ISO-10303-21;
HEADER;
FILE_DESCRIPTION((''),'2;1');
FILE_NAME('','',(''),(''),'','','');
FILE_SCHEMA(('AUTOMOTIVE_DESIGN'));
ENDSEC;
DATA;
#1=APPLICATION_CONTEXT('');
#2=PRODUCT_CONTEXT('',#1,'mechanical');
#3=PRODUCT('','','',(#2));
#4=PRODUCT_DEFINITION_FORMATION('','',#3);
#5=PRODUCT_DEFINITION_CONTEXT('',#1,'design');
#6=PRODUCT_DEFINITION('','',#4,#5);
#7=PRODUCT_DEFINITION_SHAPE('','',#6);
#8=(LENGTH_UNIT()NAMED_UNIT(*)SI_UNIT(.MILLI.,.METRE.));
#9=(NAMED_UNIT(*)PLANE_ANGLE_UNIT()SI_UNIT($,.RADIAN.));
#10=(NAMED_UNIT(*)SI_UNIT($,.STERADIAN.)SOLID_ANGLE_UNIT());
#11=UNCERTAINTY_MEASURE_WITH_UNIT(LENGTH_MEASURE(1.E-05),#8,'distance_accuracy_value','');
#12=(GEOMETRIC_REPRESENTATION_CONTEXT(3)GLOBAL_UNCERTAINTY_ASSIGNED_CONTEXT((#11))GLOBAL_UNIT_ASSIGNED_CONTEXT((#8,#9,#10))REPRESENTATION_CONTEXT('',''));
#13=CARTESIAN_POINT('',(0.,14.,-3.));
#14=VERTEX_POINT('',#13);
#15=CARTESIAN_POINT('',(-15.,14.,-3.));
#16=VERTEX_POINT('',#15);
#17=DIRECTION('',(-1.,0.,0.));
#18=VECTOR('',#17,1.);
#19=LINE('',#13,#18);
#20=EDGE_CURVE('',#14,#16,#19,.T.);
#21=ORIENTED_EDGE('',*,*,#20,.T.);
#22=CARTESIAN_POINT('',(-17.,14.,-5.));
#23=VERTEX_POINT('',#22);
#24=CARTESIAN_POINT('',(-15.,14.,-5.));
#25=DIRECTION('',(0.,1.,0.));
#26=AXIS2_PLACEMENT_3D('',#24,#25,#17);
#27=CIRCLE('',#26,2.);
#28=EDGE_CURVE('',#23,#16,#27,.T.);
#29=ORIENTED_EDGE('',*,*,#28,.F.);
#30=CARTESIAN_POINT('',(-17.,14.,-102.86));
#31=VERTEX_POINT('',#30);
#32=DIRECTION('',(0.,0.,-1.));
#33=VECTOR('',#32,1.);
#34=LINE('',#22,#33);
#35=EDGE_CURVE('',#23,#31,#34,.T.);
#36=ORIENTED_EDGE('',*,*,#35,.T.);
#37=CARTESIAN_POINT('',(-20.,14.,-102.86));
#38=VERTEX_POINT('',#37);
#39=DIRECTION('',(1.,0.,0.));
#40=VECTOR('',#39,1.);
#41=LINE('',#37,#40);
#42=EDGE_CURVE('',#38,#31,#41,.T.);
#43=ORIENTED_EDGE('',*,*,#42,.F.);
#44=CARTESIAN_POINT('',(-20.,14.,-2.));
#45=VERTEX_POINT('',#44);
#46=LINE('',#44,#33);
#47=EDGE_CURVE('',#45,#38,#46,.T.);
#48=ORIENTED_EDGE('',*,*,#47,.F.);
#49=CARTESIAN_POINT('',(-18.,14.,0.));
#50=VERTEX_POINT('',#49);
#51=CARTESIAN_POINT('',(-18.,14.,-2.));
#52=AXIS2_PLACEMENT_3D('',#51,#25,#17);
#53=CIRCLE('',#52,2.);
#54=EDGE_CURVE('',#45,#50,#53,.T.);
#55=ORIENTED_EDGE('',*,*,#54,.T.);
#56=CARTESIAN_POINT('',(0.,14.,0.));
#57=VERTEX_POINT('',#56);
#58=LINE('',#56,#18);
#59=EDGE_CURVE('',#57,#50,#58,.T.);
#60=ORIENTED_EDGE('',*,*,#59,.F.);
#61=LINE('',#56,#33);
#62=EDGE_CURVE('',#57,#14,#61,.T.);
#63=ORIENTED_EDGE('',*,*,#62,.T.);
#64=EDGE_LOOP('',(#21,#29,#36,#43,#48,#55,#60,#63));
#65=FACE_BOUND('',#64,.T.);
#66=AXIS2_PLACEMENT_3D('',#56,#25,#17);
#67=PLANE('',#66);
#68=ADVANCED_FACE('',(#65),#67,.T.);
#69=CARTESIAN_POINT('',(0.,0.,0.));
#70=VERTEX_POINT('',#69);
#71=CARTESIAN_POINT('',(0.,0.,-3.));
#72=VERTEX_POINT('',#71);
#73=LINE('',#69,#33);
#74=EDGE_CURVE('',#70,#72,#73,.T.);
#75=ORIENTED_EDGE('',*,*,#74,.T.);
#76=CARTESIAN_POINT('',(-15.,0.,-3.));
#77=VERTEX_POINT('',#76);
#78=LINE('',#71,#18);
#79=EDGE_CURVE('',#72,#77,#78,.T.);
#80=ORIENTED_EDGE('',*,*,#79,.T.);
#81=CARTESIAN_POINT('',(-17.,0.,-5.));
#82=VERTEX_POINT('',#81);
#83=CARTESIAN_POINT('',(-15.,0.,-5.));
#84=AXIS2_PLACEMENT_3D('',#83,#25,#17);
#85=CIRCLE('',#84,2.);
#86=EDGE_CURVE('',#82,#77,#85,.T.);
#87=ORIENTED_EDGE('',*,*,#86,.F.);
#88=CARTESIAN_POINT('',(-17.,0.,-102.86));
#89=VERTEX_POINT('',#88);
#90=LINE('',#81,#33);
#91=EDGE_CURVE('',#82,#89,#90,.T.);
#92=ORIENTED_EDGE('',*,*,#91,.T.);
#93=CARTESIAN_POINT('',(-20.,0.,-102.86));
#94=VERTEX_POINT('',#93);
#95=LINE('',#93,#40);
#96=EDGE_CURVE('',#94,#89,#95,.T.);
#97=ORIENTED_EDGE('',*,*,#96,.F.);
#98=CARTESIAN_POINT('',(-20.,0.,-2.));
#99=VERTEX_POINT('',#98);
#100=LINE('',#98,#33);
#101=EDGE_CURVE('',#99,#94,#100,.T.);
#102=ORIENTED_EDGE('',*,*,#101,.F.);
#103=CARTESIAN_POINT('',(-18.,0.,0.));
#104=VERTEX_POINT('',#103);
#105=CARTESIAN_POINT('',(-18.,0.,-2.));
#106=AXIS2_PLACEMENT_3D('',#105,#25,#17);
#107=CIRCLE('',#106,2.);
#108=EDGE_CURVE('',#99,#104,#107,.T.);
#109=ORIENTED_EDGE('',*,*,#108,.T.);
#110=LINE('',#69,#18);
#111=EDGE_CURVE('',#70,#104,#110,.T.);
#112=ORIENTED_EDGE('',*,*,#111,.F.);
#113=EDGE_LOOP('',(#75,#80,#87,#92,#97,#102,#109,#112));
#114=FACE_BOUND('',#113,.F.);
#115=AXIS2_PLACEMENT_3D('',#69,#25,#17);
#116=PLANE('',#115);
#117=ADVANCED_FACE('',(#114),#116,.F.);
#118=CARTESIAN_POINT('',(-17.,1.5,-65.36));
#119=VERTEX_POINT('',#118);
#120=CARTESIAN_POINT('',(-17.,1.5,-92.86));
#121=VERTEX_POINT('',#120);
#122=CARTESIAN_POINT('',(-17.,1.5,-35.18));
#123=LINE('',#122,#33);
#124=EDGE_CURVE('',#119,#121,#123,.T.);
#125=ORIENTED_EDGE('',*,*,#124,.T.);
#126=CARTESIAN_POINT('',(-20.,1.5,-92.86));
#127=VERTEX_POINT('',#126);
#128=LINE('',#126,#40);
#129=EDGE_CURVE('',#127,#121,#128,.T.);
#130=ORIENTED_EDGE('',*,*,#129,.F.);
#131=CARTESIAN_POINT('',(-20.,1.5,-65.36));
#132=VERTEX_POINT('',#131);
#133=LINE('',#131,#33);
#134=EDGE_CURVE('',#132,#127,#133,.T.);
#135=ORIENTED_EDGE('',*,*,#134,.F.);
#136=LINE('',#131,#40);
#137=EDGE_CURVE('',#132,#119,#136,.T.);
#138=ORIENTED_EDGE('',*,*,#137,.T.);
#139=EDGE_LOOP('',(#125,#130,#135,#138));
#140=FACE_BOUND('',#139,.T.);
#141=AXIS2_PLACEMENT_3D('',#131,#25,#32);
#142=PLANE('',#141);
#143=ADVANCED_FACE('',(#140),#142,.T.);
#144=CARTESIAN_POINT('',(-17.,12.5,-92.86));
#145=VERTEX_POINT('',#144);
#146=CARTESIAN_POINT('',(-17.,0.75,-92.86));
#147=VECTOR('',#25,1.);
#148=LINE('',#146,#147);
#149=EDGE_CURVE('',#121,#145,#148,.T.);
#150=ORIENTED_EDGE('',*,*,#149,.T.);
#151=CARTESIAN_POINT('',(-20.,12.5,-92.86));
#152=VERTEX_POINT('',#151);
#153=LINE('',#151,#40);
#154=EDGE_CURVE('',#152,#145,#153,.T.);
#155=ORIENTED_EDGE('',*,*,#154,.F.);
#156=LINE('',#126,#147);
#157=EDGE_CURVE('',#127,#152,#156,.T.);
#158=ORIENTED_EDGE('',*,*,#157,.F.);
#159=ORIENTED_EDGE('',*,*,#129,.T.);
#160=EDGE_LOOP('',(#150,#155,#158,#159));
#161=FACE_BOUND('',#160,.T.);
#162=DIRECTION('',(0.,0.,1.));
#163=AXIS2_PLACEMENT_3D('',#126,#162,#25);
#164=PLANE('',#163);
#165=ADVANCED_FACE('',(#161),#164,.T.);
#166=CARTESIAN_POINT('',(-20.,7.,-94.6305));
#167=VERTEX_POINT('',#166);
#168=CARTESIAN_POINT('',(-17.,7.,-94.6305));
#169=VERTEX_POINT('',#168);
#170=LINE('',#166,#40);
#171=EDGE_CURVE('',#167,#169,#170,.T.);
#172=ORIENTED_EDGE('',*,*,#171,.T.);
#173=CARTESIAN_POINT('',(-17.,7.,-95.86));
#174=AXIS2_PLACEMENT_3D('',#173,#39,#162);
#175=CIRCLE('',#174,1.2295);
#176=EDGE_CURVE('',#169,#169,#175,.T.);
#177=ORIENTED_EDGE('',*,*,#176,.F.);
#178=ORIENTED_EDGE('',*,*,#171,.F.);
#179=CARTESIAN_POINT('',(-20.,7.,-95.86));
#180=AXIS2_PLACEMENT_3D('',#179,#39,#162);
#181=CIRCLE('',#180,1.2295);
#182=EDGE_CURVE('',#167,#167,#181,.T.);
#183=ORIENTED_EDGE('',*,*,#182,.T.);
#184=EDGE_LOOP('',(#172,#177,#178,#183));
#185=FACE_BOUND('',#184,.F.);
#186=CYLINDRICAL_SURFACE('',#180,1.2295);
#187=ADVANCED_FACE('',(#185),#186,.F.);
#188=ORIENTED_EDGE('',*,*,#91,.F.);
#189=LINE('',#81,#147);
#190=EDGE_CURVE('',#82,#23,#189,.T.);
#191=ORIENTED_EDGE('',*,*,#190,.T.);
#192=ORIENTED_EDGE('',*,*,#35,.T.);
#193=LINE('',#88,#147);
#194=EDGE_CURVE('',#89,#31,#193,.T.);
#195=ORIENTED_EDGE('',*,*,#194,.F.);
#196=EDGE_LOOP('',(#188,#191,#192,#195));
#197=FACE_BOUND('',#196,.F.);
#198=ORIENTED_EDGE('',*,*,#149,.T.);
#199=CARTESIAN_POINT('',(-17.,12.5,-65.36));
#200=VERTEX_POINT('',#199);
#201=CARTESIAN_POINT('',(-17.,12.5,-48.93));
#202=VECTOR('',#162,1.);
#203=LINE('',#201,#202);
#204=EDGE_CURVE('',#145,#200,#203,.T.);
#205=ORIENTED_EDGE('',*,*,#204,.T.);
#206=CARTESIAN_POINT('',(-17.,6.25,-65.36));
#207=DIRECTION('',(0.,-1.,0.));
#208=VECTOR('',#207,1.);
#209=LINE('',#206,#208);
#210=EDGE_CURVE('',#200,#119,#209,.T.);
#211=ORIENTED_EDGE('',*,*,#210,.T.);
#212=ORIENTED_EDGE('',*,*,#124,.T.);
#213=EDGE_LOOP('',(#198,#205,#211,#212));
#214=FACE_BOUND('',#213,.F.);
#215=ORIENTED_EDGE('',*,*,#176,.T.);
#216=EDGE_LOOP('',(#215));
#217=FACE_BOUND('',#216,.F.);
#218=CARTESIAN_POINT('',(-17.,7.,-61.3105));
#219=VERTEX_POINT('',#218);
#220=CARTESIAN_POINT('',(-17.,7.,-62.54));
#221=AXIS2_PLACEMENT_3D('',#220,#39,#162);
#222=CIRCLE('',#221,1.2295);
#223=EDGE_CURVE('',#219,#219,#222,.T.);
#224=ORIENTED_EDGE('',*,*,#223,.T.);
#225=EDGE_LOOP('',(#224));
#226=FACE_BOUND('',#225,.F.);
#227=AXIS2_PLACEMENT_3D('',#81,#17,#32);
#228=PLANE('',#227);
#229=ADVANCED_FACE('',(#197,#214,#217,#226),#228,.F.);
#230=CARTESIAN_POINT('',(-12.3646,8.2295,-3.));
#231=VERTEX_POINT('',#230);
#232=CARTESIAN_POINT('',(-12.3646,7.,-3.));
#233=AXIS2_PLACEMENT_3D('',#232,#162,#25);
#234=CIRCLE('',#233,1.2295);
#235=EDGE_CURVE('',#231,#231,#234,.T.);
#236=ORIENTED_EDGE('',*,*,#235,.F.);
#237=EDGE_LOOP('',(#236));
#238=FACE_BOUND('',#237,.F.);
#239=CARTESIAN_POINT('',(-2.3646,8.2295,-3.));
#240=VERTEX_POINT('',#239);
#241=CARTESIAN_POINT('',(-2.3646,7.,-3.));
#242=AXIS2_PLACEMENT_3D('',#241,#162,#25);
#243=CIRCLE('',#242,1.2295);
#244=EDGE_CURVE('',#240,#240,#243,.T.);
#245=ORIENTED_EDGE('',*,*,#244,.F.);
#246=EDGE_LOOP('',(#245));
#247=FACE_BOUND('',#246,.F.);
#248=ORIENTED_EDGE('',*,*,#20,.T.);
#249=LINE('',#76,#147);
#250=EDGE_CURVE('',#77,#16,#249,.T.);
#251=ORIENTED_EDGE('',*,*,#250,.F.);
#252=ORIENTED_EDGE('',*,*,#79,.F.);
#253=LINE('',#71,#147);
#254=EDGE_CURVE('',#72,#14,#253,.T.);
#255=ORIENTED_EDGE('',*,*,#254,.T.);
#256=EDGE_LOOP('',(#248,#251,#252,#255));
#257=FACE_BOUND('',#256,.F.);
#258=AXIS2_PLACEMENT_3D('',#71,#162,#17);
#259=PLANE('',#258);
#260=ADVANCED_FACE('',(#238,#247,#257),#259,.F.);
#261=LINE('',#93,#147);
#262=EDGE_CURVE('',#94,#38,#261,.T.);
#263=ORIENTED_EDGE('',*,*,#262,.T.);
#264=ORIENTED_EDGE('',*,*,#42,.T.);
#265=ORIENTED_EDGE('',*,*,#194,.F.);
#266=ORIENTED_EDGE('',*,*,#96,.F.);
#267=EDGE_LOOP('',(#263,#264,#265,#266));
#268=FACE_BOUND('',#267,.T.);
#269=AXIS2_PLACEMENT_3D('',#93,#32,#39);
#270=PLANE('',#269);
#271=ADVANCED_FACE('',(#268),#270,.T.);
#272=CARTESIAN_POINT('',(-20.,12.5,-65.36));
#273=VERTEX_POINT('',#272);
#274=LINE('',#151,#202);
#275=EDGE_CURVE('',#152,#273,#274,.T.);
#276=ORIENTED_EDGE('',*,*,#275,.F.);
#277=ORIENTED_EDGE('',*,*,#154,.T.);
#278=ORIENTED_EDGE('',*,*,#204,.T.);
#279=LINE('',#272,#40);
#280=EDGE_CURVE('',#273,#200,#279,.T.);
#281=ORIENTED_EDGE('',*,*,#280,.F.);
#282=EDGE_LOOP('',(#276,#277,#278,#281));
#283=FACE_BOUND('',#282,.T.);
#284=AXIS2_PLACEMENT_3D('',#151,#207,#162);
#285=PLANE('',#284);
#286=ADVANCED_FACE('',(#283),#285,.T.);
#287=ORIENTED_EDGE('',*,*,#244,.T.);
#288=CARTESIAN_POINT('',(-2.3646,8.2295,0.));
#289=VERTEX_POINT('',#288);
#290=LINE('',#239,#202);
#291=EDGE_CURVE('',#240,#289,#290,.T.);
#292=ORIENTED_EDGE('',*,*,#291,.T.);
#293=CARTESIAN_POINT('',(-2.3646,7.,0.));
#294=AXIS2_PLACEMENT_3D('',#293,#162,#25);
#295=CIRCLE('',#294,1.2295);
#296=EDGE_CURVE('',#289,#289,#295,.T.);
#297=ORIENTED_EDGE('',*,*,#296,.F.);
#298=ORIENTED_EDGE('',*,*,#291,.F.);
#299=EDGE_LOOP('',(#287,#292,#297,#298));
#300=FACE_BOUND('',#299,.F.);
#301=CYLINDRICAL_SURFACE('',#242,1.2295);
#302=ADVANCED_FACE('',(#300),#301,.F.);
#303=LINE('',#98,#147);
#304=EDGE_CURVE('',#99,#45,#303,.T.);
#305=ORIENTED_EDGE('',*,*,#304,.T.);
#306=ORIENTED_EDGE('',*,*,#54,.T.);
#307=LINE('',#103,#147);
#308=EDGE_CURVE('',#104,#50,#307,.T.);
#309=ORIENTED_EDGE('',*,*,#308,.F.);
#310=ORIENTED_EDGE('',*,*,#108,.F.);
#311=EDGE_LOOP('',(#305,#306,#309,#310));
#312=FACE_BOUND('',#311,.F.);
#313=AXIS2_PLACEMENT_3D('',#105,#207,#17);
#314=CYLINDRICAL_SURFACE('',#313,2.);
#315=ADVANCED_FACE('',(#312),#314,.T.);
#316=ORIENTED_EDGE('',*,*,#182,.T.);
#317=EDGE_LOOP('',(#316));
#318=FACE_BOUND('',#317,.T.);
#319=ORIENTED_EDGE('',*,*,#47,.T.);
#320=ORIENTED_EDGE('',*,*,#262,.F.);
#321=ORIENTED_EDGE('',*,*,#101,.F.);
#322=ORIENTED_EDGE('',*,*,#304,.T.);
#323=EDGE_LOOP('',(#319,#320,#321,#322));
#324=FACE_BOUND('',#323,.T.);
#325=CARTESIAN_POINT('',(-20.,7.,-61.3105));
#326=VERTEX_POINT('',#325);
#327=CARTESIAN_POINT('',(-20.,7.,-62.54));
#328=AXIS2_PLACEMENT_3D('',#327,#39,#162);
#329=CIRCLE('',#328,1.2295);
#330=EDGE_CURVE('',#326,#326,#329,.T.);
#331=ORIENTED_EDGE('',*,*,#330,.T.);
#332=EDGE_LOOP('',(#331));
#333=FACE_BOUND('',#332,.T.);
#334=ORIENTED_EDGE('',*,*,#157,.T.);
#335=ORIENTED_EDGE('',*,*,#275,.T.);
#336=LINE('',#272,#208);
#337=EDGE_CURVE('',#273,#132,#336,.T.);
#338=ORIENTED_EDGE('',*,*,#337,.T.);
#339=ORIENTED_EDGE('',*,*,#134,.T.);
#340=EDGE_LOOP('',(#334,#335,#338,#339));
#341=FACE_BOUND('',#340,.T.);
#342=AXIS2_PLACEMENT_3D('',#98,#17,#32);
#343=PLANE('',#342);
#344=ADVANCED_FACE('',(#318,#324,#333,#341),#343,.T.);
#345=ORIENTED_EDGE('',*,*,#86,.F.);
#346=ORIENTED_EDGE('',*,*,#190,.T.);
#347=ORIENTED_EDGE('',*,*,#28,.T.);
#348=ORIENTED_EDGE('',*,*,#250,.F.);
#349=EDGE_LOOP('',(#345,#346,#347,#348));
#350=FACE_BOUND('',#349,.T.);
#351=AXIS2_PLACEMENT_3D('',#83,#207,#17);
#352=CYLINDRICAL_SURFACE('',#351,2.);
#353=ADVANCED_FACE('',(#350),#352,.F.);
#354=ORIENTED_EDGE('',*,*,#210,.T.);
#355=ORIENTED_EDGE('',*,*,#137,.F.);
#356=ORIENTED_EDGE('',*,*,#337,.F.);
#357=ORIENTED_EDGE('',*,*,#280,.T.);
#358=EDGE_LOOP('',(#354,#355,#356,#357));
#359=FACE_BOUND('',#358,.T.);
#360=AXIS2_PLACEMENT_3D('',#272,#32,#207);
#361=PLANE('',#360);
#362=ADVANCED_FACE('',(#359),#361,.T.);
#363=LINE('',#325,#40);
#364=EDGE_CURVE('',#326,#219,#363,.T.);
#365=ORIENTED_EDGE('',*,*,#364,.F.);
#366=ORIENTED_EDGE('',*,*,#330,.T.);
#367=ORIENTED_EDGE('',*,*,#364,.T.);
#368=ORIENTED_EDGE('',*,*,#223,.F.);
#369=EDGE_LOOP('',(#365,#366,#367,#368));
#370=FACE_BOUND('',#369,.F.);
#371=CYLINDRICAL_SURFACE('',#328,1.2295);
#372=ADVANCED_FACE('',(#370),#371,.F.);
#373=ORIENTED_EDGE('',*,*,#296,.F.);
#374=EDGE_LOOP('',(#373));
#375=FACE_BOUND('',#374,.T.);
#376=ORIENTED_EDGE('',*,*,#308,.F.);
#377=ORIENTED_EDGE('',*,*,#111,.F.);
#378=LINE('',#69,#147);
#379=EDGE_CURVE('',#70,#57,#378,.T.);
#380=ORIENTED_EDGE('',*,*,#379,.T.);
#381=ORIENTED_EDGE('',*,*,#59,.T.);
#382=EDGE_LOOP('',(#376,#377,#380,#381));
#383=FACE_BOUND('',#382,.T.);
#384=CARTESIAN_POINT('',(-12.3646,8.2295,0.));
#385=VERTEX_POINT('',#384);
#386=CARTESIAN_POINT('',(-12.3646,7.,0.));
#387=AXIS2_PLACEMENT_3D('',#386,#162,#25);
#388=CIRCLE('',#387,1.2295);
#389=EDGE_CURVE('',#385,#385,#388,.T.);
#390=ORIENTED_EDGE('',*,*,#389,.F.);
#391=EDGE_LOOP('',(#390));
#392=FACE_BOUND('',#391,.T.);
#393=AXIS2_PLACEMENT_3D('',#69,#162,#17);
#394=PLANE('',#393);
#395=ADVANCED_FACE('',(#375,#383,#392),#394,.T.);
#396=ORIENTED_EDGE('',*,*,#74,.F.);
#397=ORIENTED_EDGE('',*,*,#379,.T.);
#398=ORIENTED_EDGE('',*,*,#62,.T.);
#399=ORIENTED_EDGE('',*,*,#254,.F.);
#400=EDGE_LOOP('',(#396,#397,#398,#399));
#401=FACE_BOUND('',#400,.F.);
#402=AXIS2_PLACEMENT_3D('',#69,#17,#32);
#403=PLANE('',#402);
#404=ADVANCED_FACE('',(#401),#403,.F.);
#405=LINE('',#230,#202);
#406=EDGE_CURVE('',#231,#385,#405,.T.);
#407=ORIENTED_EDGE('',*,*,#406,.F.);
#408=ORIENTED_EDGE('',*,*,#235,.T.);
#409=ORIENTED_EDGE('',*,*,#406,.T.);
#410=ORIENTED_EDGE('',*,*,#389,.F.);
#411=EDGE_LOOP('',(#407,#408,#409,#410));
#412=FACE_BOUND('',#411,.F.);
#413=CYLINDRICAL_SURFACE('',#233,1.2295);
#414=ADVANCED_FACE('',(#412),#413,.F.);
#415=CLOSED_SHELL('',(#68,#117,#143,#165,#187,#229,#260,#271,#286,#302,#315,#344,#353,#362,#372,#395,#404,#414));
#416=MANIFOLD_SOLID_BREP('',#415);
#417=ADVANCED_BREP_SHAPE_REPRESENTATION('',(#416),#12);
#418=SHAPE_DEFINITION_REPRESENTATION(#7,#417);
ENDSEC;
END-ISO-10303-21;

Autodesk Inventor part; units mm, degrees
ref_plane "YZ Plane" through (0, 0, 0) normal (1, 0, 0) x (0, 1, 0)
ref_plane "XZ Plane" through (0, 0, 0) normal (0, 1, 0) x (-1, 0, 0)
ref_plane "XY Plane" through (0, 0, 0) normal (0, 0, 1) x (1, 0, 0)
sketch "Sketch1" plane through (0, 0, 0) normal (0, 1, 0) x (-1, 0, 0)
  line L0 (0, 0) -> (0, -3)
  line L1 (0, -3) -> (15, -3)
  line L2 (17, -5) -> (17, -102.86)
  line L3 (0, 0) -> (18, 0)
  line L4 (20, -2) -> (20, -102.86)
  line L5 (20, -102.86) -> (17, -102.86)
  arc A0 (17, -5) -> (15, -3) centre (15, -5) ccw
  arc A1 (20, -2) -> (18, 0) centre (18, -2) ccw
  point P0 (17, -3)
  point P1 (20, 0)
  dimension "d0" = 3
  dimension "d1" = 17
  dimension "d2" = 99.86
  dimension "d3" = 20
  dimension "d4" = 2
extrude "Extrusion1" add sketch "Sketch1" along normal blind 14
sketch "Sketch2" plane through (0, 0, -3) normal (0, 0, -1) x (-1, 0, 0)
  point P0 (0, 0)
sketch "Sketch3" plane through (0, 0, -3) normal (0, 0, -1) x (-1, 0, 0)
  circle A0 centre (2.3646, 7) radius 1.5
  circle A1 centre (12.3646, 7) radius 1.5
  line L0 (0, 14) -> (15, 14) projected
  line L1 (0, 0) -> (15, 0) projected
  dimension "d7" = 3
  dimension "d8" = 3
  dimension "d9" = 14
  dimension "d10" = 7
  dimension "d11" = 10
hole "Hole1" at (-2.3646, 7, -3) at (-12.3646, 7, -3) direction (0, 0, 1) diameter 2.459 depth 8.8 tip angle 118 thread size "M3x0.5" class "6H" standard "ISO Metric profile"
sketch "Sketch4" plane through (-20, 0, -102.86) normal (-1, 0, 0) x (0, 0, 1)
  line L0 (10, 12.5) -> (37.5, 12.5)
  line L1 (37.5, 12.5) -> (37.5, 1.5)
  line L2 (37.5, 1.5) -> (10, 1.5)
  line L3 (10, 1.5) -> (10, 12.5)
  line L4 (0, 14) -> (100.86, 14) projected
  line L5 (0, 0) -> (100.86, 0) projected
  line L6 (0, 0) -> (0, 14) projected
  circle A0 centre (7, 7) radius 1.5
  circle A1 centre (40.32, 7) radius 1.5
  point P0 (102.86, 0)
  dimension "d19" = 27.5
  dimension "d20" = 11
  dimension "d21" = 14
  dimension "d22" = 1.5
  dimension "d23" = 10
  dimension "d24" = 3
  dimension "d25" = 3
  dimension "d26" = 33.32
  dimension "d29" = 7
hole "Hole2" at (-20, 7, -62.54) at (-20, 7, -95.86) direction (1, 0, 0) diameter 2.459 depth 8.8 tip angle 118 thread size "M3x0.5" class "6H" standard "ISO Metric profile"
extrude "Extrusion2" cut sketch "Sketch4" against normal blind 14 contours L0 L1 L2 L3
equation "\"d10\" = 0.5 * d9"
equation "\"d22\" = -0.5 * d20 + 0.5 * d21"
properties part number "płytka złącza"
